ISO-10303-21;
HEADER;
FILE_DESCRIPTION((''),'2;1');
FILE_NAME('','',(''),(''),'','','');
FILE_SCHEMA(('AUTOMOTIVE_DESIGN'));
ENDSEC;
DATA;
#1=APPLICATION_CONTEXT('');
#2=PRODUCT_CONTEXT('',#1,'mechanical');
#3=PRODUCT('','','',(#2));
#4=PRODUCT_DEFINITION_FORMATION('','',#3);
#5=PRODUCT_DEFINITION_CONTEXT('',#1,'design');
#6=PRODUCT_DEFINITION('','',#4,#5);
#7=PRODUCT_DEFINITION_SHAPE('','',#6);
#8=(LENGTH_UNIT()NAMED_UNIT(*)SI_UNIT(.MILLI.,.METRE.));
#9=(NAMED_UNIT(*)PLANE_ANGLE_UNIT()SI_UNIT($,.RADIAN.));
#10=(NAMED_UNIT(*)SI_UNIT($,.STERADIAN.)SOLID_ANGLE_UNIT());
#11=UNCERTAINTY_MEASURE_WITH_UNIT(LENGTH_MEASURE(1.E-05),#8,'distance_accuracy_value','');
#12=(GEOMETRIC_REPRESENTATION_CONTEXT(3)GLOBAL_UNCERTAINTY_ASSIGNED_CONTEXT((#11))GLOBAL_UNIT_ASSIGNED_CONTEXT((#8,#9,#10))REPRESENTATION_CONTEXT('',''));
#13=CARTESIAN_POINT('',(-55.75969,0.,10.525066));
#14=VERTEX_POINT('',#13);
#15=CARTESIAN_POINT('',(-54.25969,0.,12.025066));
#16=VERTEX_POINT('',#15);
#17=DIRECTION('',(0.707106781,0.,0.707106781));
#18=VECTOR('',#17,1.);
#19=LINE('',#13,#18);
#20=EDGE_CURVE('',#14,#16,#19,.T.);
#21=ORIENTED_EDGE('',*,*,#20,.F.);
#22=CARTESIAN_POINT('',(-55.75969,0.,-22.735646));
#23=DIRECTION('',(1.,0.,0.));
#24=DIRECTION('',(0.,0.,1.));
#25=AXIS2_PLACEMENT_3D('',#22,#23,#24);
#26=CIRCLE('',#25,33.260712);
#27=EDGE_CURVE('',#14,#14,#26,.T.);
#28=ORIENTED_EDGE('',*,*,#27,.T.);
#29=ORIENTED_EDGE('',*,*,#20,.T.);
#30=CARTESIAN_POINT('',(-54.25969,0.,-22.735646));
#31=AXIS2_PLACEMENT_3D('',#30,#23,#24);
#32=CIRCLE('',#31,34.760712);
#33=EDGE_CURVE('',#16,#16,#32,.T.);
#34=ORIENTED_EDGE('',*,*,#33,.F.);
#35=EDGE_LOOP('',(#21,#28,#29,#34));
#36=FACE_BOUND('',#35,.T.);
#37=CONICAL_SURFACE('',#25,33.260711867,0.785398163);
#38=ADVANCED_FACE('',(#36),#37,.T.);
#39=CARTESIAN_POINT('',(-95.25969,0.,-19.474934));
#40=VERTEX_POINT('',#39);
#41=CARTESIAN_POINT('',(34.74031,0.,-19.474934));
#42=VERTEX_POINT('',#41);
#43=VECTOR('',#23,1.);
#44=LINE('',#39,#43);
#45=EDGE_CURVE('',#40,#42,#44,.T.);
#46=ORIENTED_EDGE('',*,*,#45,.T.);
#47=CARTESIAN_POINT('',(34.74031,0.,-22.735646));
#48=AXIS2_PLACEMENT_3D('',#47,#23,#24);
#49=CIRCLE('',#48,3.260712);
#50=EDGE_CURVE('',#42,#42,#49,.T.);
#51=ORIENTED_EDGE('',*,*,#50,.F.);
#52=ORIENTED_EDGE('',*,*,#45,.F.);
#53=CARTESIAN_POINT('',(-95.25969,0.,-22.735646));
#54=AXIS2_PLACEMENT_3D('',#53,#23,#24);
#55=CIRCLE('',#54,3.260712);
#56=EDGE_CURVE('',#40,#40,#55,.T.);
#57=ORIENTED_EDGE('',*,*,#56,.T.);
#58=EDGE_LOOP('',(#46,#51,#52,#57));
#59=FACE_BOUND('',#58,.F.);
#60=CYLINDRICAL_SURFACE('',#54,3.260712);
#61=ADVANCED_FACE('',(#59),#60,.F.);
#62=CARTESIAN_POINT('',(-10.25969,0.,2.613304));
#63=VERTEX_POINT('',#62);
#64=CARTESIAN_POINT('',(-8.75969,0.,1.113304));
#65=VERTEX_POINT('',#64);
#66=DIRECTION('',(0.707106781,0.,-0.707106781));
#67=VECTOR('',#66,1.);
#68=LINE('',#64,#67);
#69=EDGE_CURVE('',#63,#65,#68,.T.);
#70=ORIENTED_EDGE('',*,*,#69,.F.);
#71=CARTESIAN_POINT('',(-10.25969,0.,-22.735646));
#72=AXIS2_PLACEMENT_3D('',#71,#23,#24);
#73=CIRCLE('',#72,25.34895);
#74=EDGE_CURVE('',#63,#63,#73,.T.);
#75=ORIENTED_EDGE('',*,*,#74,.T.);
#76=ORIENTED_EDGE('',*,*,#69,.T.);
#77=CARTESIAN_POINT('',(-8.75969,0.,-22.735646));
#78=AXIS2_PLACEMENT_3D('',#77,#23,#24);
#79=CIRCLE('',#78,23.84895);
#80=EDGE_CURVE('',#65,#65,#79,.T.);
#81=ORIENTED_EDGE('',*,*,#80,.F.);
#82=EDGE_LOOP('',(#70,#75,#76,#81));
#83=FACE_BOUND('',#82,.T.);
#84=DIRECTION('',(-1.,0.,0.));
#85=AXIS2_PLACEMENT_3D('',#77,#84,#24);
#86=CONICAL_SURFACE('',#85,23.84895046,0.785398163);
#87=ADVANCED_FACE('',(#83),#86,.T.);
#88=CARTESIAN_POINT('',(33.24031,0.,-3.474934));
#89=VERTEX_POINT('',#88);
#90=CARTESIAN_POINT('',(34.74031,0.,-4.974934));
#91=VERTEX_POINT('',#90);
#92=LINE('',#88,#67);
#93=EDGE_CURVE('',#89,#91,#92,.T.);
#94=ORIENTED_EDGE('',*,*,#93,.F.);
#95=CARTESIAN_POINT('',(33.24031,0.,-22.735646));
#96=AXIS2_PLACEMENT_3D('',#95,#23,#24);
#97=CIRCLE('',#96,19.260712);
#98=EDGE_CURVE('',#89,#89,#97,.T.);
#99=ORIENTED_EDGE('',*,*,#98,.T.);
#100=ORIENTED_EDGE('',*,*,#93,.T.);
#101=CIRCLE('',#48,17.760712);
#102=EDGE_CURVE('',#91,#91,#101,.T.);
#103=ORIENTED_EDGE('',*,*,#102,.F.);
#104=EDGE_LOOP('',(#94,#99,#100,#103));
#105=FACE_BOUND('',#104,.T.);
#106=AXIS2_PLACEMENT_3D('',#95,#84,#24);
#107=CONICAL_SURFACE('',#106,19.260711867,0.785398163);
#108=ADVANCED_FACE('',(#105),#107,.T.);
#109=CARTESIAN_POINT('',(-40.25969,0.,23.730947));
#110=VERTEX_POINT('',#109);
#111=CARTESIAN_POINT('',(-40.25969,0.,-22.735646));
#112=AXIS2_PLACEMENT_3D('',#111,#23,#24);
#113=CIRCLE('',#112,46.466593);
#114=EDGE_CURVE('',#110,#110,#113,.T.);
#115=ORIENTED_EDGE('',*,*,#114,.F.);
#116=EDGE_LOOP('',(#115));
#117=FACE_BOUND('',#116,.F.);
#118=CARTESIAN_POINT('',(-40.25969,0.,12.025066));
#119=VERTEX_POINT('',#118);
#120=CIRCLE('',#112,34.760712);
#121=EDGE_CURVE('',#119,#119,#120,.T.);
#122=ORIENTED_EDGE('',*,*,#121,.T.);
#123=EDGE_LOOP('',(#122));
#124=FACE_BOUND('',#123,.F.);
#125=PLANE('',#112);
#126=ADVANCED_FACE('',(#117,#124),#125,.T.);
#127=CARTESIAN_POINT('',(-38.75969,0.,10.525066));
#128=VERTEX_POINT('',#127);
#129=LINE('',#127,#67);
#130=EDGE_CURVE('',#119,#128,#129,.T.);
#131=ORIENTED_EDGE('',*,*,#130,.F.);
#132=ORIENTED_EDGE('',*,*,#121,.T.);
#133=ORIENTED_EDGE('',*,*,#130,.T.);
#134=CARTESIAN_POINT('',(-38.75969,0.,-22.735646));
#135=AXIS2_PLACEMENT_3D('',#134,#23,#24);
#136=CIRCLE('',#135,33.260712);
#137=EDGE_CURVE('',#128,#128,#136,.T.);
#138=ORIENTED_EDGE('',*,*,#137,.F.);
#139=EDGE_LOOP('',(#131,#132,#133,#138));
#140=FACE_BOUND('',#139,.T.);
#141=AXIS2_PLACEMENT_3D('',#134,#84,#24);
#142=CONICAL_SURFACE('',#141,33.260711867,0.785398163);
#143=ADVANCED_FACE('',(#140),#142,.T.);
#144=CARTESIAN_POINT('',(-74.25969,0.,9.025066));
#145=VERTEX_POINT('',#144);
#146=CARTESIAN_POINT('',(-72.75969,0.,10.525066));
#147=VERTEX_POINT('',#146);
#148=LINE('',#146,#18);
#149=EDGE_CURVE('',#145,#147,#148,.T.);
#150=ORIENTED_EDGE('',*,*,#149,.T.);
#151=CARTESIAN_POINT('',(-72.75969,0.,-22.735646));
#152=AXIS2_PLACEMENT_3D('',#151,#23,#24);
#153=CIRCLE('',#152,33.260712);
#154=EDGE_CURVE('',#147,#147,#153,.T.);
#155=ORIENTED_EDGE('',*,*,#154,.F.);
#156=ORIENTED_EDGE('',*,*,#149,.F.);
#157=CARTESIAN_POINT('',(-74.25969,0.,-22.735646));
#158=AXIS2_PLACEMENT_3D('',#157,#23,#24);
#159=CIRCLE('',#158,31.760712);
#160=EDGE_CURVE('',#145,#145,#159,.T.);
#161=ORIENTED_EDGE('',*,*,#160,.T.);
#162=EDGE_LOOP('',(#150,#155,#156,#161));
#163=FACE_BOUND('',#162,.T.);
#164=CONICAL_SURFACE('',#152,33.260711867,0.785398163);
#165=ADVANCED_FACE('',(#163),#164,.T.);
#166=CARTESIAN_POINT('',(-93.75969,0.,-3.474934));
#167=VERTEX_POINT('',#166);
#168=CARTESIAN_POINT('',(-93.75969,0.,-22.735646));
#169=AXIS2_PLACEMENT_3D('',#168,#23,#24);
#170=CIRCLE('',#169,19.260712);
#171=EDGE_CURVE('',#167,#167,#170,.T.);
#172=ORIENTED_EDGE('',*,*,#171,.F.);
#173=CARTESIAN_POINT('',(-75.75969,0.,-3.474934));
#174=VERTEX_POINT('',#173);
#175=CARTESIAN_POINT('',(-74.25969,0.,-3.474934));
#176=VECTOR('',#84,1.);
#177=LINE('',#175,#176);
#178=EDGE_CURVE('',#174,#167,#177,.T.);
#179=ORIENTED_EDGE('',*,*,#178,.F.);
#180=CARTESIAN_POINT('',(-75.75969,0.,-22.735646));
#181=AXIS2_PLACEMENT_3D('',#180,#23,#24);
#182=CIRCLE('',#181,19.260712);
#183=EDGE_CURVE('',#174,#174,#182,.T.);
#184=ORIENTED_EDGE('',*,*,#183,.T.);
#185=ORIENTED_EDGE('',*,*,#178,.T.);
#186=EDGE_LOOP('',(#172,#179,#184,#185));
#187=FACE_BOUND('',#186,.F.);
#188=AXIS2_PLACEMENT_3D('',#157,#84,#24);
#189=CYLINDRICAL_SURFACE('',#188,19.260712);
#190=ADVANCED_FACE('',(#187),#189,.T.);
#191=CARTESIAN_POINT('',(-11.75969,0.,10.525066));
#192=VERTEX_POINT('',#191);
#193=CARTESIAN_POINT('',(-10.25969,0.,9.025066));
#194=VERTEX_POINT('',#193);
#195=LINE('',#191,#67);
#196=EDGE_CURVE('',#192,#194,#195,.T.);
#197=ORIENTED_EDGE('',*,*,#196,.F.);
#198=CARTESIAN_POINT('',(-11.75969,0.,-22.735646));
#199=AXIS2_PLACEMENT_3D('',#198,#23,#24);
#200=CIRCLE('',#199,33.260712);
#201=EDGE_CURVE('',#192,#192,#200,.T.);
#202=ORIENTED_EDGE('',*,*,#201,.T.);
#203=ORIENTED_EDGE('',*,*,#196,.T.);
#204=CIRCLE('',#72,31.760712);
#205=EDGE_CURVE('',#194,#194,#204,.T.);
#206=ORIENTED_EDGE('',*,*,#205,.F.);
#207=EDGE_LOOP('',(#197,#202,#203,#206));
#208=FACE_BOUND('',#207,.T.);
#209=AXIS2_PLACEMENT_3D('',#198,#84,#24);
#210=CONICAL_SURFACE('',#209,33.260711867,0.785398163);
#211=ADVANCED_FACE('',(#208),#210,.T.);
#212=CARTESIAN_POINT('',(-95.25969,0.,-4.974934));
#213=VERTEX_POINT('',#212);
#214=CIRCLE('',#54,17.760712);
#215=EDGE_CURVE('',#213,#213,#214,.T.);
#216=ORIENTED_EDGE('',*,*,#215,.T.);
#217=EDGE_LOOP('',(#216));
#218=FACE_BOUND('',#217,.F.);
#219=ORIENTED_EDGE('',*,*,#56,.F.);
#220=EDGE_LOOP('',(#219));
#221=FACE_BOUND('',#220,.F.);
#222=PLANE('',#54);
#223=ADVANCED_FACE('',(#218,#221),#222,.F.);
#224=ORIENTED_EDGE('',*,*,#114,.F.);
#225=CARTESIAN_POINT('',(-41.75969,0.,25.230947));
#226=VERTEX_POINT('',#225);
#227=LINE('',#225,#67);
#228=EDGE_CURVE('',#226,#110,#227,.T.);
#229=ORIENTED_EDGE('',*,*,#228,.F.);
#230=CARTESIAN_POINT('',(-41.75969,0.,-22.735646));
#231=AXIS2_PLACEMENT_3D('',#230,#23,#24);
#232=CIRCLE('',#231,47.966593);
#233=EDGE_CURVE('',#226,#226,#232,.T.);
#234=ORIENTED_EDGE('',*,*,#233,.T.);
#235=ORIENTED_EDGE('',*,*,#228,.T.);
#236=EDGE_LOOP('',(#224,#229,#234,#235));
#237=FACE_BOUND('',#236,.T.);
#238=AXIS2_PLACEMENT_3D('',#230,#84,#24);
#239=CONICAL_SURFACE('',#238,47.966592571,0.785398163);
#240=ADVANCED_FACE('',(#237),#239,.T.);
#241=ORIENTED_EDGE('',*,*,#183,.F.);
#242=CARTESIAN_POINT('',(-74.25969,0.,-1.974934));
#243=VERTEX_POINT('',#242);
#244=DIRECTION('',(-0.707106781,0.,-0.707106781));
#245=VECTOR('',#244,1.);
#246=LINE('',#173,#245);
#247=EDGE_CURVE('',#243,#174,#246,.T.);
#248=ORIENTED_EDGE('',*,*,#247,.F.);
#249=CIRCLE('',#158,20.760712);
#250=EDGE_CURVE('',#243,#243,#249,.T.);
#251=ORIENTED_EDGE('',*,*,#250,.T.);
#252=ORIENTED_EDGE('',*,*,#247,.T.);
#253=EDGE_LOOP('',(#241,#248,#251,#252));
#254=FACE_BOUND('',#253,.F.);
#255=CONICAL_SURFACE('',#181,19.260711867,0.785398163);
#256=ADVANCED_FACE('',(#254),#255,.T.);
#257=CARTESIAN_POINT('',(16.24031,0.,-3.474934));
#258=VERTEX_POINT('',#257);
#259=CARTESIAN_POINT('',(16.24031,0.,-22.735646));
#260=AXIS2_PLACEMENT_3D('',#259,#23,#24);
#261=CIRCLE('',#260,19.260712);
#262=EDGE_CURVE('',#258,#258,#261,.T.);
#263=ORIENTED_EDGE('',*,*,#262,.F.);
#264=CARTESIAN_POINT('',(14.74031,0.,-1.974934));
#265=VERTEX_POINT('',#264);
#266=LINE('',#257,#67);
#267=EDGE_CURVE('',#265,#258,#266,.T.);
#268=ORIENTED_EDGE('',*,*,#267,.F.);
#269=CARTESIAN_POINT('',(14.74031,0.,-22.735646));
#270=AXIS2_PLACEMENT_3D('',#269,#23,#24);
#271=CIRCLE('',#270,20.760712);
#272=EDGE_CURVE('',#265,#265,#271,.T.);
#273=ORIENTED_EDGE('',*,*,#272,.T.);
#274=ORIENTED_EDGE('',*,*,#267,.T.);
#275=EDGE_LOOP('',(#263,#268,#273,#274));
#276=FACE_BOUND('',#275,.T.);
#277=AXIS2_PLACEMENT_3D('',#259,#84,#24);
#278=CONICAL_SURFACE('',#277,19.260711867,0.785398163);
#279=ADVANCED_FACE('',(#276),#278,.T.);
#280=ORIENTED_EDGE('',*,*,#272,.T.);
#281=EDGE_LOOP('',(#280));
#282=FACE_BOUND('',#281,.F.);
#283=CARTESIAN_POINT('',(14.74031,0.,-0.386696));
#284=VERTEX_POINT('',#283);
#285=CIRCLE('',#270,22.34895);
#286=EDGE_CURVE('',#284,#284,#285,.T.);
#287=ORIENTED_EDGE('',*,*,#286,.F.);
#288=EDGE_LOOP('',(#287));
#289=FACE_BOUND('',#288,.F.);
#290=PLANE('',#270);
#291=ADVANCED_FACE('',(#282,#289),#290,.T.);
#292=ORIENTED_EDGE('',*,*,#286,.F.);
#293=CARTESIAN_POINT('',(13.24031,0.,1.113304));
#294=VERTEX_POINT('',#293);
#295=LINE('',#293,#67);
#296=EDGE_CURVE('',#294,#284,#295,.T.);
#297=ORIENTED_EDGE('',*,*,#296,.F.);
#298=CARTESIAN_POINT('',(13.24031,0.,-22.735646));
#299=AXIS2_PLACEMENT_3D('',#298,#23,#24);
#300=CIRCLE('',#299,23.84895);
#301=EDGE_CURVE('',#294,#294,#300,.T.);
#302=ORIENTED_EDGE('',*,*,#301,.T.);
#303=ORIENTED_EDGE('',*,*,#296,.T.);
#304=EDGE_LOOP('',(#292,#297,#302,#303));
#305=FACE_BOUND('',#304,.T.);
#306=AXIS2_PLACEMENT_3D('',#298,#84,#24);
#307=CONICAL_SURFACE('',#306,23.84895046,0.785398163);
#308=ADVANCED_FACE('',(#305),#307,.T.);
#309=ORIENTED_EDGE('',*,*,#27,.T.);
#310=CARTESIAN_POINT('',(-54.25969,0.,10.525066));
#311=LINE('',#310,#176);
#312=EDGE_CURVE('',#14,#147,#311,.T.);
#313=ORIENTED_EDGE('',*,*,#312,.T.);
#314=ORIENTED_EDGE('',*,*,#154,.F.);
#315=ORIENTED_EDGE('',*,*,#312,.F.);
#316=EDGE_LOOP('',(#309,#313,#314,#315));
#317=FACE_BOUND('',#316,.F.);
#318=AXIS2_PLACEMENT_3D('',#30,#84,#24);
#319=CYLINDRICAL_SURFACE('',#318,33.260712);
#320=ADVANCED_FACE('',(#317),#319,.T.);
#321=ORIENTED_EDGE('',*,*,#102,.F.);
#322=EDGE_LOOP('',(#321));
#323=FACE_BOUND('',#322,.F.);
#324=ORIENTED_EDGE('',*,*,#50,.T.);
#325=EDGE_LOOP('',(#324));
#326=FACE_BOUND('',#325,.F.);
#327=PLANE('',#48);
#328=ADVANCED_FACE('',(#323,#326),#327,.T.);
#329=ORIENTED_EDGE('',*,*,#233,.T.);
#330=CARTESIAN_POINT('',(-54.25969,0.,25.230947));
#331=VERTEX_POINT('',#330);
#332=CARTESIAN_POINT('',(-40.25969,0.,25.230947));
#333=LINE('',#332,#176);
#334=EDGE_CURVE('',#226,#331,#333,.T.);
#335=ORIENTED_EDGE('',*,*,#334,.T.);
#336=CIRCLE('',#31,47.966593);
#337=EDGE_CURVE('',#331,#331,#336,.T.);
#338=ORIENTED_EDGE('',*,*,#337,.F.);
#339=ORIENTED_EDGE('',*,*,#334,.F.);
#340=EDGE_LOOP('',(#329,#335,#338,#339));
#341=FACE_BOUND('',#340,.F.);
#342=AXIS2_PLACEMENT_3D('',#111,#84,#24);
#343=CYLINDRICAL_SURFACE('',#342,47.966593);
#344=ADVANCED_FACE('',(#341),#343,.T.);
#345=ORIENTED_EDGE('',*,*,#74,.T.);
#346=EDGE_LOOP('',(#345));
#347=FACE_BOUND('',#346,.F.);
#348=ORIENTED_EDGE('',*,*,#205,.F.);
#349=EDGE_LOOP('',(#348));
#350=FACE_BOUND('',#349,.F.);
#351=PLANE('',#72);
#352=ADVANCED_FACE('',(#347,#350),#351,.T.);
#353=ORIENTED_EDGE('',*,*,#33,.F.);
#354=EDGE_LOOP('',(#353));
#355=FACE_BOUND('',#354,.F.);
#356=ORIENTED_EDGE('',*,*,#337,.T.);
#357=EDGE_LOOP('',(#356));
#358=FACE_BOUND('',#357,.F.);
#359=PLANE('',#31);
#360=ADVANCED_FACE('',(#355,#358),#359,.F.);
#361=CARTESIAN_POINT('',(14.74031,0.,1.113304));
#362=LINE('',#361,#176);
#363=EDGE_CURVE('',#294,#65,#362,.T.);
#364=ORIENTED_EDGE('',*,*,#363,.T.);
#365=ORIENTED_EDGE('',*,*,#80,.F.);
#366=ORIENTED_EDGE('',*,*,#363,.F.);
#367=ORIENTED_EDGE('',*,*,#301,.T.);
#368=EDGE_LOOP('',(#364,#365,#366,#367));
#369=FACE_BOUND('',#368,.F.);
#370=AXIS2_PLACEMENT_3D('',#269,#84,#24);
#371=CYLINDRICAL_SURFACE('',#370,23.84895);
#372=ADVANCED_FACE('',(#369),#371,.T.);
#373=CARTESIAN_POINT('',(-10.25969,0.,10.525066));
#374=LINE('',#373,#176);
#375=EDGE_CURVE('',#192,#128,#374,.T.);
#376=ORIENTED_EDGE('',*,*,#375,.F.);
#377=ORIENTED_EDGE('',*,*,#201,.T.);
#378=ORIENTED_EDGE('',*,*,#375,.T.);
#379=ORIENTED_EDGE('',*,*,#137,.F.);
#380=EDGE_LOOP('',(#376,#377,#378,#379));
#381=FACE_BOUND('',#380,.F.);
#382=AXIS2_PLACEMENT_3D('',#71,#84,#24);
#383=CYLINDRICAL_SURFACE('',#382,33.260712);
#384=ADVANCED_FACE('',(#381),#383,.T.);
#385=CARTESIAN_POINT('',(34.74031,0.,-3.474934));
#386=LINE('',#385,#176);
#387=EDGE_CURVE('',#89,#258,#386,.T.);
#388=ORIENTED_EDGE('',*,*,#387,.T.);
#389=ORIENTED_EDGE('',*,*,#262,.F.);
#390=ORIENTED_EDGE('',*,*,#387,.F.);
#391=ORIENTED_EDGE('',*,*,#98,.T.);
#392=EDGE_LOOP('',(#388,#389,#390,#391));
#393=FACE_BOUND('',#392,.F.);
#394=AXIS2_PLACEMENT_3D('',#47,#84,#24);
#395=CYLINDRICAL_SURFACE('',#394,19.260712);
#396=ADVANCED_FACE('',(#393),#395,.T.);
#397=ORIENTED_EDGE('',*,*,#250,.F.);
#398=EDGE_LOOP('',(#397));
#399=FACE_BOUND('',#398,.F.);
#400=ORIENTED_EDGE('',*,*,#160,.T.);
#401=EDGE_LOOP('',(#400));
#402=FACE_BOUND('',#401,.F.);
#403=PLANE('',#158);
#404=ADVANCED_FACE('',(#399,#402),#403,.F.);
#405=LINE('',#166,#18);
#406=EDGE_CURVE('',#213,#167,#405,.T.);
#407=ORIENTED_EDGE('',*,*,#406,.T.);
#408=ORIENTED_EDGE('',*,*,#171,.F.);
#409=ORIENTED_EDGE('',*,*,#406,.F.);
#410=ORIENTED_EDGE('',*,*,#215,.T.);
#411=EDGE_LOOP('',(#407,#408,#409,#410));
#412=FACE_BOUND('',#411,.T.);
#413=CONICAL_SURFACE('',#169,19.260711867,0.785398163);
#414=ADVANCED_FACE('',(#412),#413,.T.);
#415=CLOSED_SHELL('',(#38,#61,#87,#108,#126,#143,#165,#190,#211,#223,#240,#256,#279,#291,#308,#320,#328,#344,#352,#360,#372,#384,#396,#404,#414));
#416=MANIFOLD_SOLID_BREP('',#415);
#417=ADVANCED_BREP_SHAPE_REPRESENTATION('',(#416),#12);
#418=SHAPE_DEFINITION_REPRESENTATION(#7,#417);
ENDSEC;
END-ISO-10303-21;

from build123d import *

# Parameters (mm, degrees)
F2_SIZE  = 1.5
F3_SIZE  = 1.5
F4_SIZE  = 1.5
F5_SIZE  = 1.5
F6_SIZE  = 1.5
F7_SIZE  = 1.5
F8_SIZE  = 1.5
F9_SIZE  = 1.5
F10_SIZE = 1.5
F11_SIZE = 1.5
F12_SIZE = 1.5


with BuildPart() as f1:
    # F0 (on Front) → F1 (revolve)
    with BuildSketch(Plane.XZ):
        Polygon((-95.2596903405, -3.4749341272), (-95.2596903405, -19.4749341272), (34.7403096595, -19.4749341272), (34.7403096595, -3.4749341272), (14.7403096595, -3.4749341272), (14.7403096595, 1.1133044657), (-10.2596903405, 1.1133044657), (-10.2596903405, 10.5250658728), (-40.2596903405, 10.5250658728), (-40.2596903405, 25.2309465764), (-54.2596903405, 25.2309465764), (-54.2596903405, 10.5250658728), (-74.2596903405, 10.5250658728), (-74.2596903405, -3.4749341272), align=None)
    revolve(axis=Axis((-30.2943464648, 0, -22.7356459945), (1, 0, 0)))

    # F2
    f2_edges = [f1.edges().sort_by_distance(p)[0] for p in [
        (-95.25969, 0, -41.996358),
    ]]
    chamfer(f2_edges, length=F2_SIZE)

    # F3
    f3_edges = [f1.edges().sort_by_distance(p)[0] for p in [
        (-74.25969, 0, -55.996358),
    ]]
    chamfer(f3_edges, length=F3_SIZE)

    # F4
    f4_edges = [f1.edges().sort_by_distance(p)[0] for p in [
        (-40.25969, 0, -70.702239),
    ]]
    chamfer(f4_edges, length=F4_SIZE)

    # F5
    f5_edges = [f1.edges().sort_by_distance(p)[0] for p in [
        (-10.25969, 0, -55.996358),
    ]]
    chamfer(f5_edges, length=F5_SIZE)

    # F6
    f6_edges = [f1.edges().sort_by_distance(p)[0] for p in [
        (14.74031, 0, -46.584596),
    ]]
    chamfer(f6_edges, length=F6_SIZE)

    # F7
    f7_edges = [f1.edges().sort_by_distance(p)[0] for p in [
        (34.74031, 0, -41.996358),
    ]]
    chamfer(f7_edges, length=F7_SIZE)

    # F8
    f8_edges = [f1.edges().sort_by_distance(p)[0] for p in [
        (-54.25969, 0, -55.996358),
    ]]
    chamfer(f8_edges, length=F8_SIZE)

    # F9
    f9_edges = [f1.edges().sort_by_distance(p)[0] for p in [
        (-74.25969, 0, -41.996358),
    ]]
    chamfer(f9_edges, length=F9_SIZE)

    # F10
    f10_edges = [f1.edges().sort_by_distance(p)[0] for p in [
        (-40.25969, 0, -55.996358),
    ]]
    chamfer(f10_edges, length=F10_SIZE)

    # F11
    f11_edges = [f1.edges().sort_by_distance(p)[0] for p in [
        (-10.25969, 0, -46.584596),
    ]]
    chamfer(f11_edges, length=F11_SIZE)

    # F12
    f12_edges = [f1.edges().sort_by_distance(p)[0] for p in [
        (14.74031, 0, -41.996358),
    ]]
    chamfer(f12_edges, length=F12_SIZE)


solid = f1.part
